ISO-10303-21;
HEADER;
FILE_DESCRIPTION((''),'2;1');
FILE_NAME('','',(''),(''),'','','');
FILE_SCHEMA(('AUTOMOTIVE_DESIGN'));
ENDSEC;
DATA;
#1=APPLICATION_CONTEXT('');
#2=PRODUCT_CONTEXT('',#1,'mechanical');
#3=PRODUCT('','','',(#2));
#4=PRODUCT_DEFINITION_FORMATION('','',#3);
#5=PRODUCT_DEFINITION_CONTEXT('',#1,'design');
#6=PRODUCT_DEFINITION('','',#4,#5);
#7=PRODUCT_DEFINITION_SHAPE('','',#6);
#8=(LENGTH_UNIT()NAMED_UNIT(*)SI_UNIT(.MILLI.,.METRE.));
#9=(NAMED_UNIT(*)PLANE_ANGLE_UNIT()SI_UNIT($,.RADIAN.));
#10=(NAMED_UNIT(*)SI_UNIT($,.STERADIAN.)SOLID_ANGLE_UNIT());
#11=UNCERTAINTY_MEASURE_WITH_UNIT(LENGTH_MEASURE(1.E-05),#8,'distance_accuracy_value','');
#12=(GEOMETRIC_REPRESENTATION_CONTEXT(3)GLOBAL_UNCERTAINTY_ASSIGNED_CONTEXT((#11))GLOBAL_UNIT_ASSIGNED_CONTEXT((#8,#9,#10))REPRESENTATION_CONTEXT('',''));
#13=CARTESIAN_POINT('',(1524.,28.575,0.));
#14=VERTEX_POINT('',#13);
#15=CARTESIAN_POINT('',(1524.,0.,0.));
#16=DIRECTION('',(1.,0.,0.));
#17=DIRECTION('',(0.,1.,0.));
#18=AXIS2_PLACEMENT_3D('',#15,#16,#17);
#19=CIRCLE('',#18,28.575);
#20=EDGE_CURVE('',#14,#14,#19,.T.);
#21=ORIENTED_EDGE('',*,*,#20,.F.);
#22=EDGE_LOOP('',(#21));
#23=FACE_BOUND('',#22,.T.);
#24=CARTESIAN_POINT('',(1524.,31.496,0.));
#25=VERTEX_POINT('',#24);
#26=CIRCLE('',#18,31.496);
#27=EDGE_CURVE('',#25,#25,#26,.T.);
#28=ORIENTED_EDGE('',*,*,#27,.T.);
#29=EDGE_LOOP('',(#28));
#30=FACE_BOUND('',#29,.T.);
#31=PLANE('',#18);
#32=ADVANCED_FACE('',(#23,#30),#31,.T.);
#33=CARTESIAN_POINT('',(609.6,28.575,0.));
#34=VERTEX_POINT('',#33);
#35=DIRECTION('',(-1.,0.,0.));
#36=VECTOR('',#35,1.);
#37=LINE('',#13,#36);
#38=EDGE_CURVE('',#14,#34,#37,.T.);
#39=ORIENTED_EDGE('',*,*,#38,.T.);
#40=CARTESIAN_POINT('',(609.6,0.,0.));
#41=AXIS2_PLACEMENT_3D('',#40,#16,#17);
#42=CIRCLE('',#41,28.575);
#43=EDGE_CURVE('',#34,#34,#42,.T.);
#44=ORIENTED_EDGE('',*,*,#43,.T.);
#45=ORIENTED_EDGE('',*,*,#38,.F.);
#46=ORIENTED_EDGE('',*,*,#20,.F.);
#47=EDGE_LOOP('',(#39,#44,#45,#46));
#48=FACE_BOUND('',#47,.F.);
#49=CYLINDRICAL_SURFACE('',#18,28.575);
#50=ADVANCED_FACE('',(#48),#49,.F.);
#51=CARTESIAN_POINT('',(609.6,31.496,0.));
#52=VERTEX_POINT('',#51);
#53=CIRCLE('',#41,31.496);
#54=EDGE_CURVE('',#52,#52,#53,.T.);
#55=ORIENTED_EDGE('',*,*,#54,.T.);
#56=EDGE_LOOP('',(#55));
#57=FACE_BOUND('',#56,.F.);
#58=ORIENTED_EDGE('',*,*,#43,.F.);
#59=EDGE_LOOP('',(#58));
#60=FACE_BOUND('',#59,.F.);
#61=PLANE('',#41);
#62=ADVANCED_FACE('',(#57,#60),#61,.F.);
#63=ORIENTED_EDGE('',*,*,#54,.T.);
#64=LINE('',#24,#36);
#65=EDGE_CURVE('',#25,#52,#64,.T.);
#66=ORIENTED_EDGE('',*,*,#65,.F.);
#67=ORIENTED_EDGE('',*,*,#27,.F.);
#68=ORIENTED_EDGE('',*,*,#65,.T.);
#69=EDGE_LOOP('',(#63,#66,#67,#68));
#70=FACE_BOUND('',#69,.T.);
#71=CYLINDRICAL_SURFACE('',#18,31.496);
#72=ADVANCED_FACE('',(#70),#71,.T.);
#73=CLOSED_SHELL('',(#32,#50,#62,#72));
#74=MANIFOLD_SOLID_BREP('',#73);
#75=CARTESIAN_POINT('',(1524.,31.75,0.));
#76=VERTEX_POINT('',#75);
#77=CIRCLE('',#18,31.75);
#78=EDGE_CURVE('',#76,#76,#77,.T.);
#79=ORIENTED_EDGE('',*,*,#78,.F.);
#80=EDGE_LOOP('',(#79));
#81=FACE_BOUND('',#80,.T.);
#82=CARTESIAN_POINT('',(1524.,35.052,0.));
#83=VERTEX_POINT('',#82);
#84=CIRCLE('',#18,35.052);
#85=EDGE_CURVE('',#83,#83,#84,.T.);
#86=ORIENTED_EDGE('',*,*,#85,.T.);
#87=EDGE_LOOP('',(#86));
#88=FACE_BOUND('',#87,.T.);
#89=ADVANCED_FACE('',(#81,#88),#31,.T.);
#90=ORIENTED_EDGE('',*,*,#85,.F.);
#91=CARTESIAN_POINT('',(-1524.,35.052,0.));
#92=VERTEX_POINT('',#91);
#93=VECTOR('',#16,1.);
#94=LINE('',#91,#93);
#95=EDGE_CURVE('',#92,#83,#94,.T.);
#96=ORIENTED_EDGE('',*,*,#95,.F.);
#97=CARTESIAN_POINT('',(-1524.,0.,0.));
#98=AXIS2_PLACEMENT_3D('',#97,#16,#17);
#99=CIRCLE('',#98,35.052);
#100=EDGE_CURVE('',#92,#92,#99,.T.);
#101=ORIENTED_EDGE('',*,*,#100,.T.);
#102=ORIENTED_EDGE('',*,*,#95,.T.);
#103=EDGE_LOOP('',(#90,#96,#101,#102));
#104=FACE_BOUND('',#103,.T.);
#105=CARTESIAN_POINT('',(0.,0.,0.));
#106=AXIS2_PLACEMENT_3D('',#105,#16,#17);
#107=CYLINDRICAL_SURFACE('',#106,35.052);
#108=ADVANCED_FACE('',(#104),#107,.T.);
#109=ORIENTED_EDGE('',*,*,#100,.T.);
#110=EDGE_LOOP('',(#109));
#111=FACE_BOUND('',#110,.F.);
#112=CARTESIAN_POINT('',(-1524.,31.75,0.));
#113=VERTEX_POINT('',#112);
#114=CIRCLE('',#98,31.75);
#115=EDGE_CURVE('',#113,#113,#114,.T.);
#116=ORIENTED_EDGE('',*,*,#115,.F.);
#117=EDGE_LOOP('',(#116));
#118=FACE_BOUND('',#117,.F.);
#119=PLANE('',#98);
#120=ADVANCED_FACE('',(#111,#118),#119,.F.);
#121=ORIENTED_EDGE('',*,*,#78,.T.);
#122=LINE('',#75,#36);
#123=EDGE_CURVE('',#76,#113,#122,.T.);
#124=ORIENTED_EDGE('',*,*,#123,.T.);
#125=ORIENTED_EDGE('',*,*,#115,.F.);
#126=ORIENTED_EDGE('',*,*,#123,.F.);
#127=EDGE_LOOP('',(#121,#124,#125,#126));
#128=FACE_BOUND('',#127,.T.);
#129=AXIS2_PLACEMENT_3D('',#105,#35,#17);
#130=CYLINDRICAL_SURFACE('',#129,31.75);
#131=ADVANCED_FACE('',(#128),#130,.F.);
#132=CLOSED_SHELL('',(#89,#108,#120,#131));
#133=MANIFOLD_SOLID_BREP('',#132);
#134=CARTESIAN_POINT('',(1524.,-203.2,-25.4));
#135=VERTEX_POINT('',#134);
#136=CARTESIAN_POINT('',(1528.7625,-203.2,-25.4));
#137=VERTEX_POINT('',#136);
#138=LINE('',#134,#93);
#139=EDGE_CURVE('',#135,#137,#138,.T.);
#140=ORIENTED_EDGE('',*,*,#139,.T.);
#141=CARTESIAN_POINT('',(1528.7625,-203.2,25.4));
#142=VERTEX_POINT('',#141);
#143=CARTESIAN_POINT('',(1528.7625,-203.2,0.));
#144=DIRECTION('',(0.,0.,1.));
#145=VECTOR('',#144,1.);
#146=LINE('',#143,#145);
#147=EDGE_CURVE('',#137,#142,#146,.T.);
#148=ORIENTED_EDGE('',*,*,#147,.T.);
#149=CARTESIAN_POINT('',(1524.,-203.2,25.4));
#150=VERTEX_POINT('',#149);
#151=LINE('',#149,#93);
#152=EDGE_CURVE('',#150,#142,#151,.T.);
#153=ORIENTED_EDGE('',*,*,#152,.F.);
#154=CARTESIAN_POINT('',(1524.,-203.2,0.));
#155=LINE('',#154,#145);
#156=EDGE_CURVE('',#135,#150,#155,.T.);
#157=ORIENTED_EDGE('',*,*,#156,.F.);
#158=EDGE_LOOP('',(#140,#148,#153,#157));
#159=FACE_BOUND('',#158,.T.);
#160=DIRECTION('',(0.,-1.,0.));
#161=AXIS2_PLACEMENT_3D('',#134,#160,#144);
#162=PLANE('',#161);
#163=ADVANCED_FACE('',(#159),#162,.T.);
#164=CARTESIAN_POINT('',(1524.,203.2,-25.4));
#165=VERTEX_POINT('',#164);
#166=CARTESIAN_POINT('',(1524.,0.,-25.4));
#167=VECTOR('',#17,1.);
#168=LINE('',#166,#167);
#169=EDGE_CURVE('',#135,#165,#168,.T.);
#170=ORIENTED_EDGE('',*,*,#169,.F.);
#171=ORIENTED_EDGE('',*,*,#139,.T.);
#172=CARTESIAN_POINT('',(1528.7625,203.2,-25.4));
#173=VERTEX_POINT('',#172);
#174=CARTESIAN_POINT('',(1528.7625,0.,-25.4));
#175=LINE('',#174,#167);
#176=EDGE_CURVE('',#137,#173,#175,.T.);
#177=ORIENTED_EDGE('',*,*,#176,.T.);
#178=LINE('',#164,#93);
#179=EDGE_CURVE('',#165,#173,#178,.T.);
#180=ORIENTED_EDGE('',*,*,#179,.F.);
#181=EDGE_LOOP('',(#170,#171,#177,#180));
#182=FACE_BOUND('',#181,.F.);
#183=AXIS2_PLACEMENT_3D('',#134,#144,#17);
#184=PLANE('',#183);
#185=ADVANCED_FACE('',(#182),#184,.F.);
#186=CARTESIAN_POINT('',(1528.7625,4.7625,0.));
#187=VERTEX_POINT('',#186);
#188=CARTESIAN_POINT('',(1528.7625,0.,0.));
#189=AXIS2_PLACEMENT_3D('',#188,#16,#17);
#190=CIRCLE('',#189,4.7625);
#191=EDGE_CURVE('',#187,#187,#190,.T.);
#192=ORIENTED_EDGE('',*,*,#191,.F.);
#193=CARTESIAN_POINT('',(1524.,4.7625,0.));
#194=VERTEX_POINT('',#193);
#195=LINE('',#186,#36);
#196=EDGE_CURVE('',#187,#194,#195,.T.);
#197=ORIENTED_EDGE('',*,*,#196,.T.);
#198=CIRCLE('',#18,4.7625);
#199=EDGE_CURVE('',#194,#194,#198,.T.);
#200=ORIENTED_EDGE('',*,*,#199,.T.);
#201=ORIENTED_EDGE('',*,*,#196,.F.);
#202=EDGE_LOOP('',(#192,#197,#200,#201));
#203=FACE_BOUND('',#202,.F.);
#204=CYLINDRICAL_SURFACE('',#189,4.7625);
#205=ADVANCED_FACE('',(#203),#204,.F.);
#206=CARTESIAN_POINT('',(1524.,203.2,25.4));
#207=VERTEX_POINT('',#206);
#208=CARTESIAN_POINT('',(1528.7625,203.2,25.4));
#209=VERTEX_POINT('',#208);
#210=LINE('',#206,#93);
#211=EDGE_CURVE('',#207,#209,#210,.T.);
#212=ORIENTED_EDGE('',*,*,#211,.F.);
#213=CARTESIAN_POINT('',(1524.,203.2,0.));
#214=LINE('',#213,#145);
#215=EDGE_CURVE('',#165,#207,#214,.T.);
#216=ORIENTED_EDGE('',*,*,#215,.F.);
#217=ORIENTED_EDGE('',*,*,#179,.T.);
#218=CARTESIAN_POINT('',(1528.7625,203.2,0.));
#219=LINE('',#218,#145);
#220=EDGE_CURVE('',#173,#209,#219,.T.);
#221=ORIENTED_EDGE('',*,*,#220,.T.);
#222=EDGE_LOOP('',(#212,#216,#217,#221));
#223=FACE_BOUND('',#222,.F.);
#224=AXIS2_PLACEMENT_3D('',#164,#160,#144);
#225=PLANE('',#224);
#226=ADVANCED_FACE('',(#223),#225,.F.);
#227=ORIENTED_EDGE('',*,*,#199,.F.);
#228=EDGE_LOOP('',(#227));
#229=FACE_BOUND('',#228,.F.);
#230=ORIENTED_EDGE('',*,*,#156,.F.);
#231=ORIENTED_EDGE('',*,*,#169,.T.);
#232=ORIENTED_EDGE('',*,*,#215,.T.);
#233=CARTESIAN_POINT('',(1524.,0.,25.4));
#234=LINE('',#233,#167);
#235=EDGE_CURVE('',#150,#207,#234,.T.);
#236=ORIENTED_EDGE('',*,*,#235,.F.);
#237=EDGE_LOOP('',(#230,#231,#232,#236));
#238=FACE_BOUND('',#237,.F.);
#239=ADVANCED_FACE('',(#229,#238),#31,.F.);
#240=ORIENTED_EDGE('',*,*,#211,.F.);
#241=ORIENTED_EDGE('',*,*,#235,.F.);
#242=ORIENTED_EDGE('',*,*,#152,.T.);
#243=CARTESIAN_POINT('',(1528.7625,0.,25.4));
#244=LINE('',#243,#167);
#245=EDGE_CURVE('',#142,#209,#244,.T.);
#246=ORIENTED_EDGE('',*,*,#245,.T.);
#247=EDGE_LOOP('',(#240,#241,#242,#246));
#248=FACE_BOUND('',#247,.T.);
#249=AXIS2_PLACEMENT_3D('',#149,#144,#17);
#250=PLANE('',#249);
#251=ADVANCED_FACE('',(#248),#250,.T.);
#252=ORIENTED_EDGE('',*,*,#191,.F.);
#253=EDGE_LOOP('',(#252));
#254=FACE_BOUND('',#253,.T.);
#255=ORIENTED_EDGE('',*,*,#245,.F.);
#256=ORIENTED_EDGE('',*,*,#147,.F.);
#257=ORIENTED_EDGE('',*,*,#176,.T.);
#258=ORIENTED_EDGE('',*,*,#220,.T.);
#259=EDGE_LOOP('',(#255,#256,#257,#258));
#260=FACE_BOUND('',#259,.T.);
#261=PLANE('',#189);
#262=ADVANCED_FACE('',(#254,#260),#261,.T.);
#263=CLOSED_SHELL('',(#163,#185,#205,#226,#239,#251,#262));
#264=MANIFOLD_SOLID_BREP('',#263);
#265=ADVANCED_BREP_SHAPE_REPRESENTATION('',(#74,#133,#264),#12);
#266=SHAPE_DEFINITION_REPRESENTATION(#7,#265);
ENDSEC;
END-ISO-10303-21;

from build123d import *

# Parameters (mm, degrees)
F0_R     = 35.052
F0_R_2   = 31.75
F1_DEPTH = 1524
F2_R     = 31.496
F2_R_2   = 28.575
F3_DEPTH = 914.4
F4_W     = 406.4
F4_H     = 50.8
F5_DEPTH = 4.7625
F6_R     = 4.7625
F7_DEPTH = 4.7625


with BuildPart() as f1:
    # F0 (on Right) → F1 (new body, symmetric)
    with BuildSketch(Plane.YZ):
        Circle(F0_R)
        Circle(F0_R_2, mode=Mode.SUBTRACT)
    extrude(amount=F1_DEPTH, both=True)


with BuildPart() as f3:
    # F2 (on face) → F3 (new body)
    with BuildSketch(Plane.YZ.offset(1524)):
        Circle(F2_R)
        Circle(F2_R_2, mode=Mode.SUBTRACT)
    extrude(amount=-F3_DEPTH)


with BuildPart() as f5:
    # F4 (on face) → F5 (new body)
    with BuildSketch(Plane.YZ.offset(1524)):
        Rectangle(F4_W, F4_H)
    extrude(amount=F5_DEPTH)

    # F6 (on face) → F7 (cut, through all)
    with BuildSketch(Plane.YZ.offset(1528.7625)):
        Circle(F6_R)
    extrude(amount=-F7_DEPTH, mode=Mode.SUBTRACT)


solid = Compound([f1.part, f3.part, f5.part])
